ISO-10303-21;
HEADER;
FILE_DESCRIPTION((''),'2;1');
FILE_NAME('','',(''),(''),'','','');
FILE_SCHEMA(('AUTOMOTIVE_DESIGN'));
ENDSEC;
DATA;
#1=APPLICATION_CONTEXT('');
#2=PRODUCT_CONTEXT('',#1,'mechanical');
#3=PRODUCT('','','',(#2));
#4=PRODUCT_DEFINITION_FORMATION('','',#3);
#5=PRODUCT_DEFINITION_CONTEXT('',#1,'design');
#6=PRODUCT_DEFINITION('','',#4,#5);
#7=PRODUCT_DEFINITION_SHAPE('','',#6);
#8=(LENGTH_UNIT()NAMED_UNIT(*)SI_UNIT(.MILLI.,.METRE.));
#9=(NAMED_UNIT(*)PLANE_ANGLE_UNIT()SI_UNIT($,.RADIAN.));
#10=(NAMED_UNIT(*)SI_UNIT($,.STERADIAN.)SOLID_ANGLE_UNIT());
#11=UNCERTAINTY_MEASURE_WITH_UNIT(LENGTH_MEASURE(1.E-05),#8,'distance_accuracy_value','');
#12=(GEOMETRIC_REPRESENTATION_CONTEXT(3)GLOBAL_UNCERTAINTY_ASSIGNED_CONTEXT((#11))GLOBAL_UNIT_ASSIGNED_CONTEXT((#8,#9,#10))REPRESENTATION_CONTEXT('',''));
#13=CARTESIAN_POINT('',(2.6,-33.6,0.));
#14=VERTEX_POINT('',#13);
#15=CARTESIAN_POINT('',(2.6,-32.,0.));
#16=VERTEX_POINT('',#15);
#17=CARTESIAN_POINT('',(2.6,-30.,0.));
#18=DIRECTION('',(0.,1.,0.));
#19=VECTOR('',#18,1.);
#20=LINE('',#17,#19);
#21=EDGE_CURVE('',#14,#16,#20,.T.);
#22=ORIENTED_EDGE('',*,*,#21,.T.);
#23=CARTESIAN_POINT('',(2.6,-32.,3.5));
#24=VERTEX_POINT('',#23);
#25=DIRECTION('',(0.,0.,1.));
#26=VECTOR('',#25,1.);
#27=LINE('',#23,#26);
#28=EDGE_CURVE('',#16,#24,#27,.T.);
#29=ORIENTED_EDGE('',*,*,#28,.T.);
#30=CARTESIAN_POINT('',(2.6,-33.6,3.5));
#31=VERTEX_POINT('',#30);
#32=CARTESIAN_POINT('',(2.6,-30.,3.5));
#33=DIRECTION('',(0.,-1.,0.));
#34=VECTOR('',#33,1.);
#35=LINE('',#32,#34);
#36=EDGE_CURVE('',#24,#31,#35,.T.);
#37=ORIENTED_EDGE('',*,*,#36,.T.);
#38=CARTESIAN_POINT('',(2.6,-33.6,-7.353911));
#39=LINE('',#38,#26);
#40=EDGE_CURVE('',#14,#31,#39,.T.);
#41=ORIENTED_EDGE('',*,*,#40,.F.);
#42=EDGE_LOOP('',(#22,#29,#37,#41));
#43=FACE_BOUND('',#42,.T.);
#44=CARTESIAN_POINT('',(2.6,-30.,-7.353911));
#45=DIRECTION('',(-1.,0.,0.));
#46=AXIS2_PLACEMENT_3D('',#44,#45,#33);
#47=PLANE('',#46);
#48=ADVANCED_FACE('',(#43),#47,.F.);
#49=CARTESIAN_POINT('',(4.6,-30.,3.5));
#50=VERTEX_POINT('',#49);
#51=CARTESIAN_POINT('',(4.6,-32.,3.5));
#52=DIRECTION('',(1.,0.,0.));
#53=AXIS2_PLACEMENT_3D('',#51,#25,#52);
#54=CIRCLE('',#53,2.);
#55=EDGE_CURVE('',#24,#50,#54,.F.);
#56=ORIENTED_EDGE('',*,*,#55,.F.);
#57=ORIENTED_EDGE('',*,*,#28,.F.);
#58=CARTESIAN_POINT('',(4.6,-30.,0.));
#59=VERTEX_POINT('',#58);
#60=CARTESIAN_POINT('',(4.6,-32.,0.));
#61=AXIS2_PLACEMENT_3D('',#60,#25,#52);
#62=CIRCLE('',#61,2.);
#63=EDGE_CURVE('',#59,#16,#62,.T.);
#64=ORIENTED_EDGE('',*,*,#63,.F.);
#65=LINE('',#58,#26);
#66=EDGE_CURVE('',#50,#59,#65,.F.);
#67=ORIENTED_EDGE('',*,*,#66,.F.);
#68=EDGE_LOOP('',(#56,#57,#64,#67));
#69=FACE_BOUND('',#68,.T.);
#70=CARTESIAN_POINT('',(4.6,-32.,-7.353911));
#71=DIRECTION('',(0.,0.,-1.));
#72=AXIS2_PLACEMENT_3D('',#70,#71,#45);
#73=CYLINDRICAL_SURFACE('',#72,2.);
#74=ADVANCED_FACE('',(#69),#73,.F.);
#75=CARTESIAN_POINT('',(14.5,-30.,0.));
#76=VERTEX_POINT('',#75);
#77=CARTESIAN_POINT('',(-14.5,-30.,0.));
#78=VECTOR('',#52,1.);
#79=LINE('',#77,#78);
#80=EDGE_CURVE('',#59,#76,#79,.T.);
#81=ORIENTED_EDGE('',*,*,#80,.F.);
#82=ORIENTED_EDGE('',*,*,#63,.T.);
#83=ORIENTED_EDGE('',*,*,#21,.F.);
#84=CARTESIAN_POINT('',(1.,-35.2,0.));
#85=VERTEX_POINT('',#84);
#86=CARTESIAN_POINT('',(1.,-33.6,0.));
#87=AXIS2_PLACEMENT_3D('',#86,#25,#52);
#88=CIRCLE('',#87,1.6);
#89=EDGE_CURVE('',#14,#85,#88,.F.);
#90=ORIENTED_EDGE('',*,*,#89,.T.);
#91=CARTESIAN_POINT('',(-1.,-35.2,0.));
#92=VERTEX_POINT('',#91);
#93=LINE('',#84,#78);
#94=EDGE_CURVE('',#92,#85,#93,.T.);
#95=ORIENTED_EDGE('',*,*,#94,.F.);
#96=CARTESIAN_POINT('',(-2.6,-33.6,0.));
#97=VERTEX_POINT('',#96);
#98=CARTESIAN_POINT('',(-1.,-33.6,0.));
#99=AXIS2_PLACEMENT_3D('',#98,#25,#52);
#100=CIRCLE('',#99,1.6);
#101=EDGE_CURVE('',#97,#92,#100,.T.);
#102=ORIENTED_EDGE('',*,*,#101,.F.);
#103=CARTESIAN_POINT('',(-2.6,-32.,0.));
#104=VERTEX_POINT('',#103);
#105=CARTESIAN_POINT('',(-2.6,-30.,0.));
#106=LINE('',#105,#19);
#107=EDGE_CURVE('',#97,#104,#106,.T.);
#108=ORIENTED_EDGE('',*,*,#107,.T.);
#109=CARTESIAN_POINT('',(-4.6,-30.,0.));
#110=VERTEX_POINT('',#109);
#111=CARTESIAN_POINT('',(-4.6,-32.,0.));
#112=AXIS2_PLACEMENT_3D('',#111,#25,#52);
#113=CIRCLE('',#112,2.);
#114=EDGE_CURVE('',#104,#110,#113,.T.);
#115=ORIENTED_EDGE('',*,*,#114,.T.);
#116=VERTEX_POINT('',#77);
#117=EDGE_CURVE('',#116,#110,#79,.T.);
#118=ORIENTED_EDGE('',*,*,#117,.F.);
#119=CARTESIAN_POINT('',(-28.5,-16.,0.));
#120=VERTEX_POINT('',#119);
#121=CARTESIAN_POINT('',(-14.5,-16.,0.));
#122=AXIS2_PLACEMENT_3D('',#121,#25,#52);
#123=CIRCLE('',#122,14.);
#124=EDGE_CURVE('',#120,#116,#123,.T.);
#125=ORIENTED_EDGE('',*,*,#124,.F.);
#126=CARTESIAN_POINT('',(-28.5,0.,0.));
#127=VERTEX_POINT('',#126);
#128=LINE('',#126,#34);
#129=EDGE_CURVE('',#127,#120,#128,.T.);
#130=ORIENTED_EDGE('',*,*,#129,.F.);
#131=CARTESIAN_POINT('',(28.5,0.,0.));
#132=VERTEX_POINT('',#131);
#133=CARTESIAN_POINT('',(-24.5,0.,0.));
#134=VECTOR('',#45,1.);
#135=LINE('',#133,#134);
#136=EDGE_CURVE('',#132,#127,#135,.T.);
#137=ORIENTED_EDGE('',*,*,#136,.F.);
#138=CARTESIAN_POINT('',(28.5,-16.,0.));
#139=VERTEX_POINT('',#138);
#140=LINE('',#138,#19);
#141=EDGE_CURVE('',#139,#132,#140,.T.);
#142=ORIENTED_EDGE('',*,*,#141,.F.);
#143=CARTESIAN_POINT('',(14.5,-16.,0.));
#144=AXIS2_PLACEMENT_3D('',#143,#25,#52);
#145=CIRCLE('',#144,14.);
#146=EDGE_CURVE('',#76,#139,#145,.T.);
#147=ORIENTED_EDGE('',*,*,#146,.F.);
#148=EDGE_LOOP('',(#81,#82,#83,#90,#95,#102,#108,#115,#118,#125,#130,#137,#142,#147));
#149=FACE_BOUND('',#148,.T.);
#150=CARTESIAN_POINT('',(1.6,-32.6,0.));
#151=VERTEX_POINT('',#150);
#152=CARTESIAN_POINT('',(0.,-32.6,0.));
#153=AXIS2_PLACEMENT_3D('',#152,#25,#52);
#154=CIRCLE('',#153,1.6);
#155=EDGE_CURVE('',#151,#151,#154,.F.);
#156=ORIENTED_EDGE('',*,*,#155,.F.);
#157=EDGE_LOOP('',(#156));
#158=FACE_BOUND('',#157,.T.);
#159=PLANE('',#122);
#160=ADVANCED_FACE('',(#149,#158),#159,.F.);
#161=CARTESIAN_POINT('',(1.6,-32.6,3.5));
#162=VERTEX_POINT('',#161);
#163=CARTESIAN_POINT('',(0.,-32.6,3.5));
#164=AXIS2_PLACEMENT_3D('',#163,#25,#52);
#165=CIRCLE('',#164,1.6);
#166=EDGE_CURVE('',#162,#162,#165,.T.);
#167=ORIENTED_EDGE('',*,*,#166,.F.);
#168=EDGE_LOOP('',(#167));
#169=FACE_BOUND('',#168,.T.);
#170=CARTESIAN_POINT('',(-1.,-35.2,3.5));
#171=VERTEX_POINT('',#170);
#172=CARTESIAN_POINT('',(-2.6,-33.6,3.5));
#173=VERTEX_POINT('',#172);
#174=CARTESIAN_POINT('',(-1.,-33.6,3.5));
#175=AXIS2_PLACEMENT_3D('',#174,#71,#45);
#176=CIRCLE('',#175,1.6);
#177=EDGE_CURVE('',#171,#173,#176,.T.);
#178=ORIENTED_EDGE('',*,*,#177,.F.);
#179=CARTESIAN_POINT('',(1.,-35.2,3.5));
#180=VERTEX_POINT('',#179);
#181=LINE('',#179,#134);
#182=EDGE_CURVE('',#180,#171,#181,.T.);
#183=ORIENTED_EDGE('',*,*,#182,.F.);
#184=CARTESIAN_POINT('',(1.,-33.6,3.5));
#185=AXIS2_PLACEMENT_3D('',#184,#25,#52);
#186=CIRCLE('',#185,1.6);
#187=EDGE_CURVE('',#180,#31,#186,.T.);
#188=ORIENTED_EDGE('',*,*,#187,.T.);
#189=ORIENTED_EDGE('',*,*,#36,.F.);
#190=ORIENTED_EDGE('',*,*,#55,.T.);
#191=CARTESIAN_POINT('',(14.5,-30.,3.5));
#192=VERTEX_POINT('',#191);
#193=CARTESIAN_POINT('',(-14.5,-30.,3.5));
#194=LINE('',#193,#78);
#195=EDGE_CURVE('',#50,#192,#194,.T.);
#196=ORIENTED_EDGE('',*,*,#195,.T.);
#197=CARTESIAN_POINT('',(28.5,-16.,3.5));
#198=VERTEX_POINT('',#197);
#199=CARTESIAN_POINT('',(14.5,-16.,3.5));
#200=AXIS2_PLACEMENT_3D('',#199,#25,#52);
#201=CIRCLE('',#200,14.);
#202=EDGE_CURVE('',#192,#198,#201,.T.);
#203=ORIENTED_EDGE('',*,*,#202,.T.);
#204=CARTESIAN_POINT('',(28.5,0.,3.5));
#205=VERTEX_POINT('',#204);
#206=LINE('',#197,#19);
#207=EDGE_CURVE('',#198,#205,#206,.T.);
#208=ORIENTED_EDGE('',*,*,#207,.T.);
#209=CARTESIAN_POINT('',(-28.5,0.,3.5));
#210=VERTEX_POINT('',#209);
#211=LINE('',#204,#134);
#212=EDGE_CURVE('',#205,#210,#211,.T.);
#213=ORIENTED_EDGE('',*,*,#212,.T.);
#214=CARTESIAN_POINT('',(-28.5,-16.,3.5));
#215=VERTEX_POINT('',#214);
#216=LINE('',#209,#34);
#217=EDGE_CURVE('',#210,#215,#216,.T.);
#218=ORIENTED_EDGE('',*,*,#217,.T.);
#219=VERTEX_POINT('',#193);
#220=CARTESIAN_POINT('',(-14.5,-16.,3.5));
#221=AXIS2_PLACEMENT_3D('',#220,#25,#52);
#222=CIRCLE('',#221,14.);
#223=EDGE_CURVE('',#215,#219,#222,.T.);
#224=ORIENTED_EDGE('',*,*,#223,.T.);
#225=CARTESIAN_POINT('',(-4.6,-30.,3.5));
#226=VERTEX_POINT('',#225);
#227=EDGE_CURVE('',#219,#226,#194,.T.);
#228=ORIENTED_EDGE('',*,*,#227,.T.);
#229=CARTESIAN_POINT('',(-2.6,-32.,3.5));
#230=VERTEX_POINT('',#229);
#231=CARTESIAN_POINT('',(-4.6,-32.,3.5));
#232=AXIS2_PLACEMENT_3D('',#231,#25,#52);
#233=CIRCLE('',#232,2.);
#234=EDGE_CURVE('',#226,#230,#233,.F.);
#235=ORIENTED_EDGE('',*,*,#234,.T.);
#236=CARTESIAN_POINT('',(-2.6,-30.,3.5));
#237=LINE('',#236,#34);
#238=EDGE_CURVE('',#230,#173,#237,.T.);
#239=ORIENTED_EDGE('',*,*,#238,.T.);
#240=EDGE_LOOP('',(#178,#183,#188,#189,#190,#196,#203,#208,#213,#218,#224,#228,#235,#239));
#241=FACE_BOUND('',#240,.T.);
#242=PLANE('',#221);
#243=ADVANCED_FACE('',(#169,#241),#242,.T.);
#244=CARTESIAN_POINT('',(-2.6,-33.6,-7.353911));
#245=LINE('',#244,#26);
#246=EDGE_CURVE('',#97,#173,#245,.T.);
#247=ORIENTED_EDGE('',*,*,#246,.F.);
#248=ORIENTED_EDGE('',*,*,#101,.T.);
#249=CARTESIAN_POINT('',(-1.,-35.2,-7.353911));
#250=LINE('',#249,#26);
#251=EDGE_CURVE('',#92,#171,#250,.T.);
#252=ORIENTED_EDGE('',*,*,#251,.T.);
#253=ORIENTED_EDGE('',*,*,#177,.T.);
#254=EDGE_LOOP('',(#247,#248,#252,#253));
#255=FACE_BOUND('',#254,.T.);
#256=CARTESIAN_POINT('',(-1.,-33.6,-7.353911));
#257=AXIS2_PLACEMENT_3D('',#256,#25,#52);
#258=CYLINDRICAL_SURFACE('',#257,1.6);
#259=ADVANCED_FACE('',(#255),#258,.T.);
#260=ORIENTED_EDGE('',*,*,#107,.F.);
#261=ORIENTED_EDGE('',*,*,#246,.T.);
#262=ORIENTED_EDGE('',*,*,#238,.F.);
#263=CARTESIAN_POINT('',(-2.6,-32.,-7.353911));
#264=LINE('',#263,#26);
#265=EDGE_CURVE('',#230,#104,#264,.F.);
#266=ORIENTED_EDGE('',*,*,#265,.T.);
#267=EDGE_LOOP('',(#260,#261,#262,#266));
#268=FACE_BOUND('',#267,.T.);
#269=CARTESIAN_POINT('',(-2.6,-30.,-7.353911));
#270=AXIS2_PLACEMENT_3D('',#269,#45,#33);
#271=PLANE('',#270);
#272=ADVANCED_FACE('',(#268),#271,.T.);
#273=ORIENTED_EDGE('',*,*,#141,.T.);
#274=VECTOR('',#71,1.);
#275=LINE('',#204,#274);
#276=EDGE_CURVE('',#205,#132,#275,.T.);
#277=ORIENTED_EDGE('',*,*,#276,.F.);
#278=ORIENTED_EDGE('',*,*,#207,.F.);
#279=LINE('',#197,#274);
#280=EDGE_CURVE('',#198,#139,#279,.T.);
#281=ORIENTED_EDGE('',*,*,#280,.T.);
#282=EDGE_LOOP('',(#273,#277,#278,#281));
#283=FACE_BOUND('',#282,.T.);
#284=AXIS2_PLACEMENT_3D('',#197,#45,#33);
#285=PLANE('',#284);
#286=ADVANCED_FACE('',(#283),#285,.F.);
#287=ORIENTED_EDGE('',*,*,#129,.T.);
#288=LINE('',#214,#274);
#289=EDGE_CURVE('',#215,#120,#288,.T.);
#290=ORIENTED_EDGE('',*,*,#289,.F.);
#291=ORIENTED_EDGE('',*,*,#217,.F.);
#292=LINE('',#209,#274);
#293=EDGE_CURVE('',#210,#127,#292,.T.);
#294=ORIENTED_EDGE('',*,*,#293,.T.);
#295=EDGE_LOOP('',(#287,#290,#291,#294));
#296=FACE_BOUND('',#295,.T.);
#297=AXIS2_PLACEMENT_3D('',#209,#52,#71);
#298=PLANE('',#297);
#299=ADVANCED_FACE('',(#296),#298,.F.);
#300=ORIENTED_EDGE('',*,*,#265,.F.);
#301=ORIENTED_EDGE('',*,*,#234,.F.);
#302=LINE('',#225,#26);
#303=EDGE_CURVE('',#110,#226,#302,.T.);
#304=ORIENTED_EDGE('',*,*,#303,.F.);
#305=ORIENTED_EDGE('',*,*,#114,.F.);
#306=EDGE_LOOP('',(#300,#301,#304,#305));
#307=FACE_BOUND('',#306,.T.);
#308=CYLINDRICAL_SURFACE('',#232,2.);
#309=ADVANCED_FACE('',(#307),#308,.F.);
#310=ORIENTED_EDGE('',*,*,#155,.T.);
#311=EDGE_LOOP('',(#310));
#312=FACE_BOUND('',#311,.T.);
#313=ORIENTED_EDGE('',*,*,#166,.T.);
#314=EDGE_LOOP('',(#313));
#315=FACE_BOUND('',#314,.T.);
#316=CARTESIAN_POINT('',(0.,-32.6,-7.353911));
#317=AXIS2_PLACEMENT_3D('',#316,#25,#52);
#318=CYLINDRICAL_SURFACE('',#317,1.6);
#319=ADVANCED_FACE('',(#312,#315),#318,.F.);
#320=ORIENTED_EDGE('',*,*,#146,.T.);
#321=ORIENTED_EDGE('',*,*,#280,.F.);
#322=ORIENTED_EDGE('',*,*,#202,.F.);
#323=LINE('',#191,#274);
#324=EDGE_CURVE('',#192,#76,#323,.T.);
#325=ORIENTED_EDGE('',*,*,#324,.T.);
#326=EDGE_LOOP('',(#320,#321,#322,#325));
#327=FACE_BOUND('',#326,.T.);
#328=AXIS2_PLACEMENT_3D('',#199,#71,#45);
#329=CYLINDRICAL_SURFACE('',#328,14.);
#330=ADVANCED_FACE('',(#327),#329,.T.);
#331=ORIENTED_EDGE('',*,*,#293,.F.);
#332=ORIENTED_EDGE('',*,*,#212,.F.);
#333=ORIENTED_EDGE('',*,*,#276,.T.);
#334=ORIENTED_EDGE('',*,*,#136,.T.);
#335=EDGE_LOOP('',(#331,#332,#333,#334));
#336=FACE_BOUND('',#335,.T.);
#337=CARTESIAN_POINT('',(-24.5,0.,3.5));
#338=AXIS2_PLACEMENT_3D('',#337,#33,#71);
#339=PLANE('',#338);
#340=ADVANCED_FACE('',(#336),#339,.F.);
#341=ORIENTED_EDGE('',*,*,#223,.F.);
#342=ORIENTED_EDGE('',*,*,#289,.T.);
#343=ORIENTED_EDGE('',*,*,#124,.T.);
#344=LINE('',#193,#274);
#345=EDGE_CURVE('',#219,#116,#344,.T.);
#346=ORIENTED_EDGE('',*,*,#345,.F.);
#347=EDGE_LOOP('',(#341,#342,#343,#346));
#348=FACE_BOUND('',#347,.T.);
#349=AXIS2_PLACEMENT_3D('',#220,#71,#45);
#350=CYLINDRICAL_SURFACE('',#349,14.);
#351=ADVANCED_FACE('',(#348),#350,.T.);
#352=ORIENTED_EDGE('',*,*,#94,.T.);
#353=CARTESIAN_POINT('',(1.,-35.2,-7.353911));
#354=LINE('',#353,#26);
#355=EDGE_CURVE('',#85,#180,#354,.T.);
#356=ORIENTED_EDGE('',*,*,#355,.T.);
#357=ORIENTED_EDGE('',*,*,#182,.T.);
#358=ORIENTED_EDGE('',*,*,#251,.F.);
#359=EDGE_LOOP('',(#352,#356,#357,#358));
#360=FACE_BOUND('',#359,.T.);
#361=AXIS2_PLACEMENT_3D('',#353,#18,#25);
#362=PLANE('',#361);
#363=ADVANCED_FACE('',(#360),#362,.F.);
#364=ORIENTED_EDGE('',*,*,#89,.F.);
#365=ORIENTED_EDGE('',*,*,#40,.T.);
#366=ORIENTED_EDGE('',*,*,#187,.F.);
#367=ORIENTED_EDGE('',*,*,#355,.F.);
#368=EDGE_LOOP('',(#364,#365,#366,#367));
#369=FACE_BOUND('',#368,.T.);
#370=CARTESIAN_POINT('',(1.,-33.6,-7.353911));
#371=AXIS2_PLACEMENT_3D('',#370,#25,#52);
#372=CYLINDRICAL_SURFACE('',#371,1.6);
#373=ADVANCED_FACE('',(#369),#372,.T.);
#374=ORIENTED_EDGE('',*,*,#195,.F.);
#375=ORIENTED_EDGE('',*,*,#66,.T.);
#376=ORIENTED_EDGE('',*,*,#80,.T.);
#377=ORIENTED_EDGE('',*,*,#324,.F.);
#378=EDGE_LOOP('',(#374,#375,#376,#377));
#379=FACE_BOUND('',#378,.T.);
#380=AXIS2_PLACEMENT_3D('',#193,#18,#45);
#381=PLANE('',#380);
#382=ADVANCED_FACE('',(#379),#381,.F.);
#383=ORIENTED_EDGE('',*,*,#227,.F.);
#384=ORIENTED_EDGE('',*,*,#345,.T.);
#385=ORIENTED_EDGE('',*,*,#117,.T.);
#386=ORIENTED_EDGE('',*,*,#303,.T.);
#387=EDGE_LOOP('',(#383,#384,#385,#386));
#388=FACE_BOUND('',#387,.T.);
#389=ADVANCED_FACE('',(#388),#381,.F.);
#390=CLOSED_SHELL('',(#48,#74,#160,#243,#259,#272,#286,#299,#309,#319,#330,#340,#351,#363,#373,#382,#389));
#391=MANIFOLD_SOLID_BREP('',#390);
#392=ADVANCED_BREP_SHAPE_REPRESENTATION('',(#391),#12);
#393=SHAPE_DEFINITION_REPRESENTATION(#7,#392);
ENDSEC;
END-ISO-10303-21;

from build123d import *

# Parameters (mm, degrees)
BOSS_EXTRUDE1_DEPTH = 3.5
SKETCH2_R           = 1.6
BOSS_EXTRUDE2_DEPTH = 3.5
FILLET1_R           = 2


with BuildPart() as part:
    # Sketch1 → Boss-Extrude1 (new body)
    with BuildSketch(Plane.XY):
        with BuildLine():
            Line((-24.5, 0), (24.5, 0))
            Line((24.5, 0), (28.5, 0))
            Line((28.5, 0), (28.5, -16))
            ThreePointArc((28.5, -16), (24.399494937, -25.899494937), (14.5, -30))
            Line((14.5, -30), (-14.5, -30))
            ThreePointArc((-14.5, -30), (-24.399494937, -25.899494937), (-28.5, -16))
            Line((-28.5, -16), (-28.5, 0))
            Line((-28.5, 0), (-24.5, 0))
        make_face()
    extrude(amount=BOSS_EXTRUDE1_DEPTH)

    # Sketch2 → Boss-Extrude2 (add)
    with BuildSketch(Plane.XY.offset(3.5)):
        with BuildLine():
            Line((2.6, -30), (-2.6, -30))
            Line((-2.6, -30), (-2.6, -33.6))
            ThreePointArc((-2.6, -33.6), (-2.13137085, -34.73137085), (-1, -35.2))
            Line((-1, -35.2), (1, -35.2))
            ThreePointArc((1, -35.2), (2.13137085, -34.73137085), (2.6, -33.6))
            Line((2.6, -33.6), (2.6, -30))
        make_face()
        with Locations((0, -32.6)):
            Circle(SKETCH2_R, mode=Mode.SUBTRACT)
    extrude(amount=-BOSS_EXTRUDE2_DEPTH)

    # Fillet1
    fillet1_edges = [part.edges().sort_by_distance(p)[0] for p in [
        (2.6, -30, 1.75),
        (-2.6, -30, 1.75),
    ]]
    fillet(fillet1_edges, radius=FILLET1_R)


solid = part.part
